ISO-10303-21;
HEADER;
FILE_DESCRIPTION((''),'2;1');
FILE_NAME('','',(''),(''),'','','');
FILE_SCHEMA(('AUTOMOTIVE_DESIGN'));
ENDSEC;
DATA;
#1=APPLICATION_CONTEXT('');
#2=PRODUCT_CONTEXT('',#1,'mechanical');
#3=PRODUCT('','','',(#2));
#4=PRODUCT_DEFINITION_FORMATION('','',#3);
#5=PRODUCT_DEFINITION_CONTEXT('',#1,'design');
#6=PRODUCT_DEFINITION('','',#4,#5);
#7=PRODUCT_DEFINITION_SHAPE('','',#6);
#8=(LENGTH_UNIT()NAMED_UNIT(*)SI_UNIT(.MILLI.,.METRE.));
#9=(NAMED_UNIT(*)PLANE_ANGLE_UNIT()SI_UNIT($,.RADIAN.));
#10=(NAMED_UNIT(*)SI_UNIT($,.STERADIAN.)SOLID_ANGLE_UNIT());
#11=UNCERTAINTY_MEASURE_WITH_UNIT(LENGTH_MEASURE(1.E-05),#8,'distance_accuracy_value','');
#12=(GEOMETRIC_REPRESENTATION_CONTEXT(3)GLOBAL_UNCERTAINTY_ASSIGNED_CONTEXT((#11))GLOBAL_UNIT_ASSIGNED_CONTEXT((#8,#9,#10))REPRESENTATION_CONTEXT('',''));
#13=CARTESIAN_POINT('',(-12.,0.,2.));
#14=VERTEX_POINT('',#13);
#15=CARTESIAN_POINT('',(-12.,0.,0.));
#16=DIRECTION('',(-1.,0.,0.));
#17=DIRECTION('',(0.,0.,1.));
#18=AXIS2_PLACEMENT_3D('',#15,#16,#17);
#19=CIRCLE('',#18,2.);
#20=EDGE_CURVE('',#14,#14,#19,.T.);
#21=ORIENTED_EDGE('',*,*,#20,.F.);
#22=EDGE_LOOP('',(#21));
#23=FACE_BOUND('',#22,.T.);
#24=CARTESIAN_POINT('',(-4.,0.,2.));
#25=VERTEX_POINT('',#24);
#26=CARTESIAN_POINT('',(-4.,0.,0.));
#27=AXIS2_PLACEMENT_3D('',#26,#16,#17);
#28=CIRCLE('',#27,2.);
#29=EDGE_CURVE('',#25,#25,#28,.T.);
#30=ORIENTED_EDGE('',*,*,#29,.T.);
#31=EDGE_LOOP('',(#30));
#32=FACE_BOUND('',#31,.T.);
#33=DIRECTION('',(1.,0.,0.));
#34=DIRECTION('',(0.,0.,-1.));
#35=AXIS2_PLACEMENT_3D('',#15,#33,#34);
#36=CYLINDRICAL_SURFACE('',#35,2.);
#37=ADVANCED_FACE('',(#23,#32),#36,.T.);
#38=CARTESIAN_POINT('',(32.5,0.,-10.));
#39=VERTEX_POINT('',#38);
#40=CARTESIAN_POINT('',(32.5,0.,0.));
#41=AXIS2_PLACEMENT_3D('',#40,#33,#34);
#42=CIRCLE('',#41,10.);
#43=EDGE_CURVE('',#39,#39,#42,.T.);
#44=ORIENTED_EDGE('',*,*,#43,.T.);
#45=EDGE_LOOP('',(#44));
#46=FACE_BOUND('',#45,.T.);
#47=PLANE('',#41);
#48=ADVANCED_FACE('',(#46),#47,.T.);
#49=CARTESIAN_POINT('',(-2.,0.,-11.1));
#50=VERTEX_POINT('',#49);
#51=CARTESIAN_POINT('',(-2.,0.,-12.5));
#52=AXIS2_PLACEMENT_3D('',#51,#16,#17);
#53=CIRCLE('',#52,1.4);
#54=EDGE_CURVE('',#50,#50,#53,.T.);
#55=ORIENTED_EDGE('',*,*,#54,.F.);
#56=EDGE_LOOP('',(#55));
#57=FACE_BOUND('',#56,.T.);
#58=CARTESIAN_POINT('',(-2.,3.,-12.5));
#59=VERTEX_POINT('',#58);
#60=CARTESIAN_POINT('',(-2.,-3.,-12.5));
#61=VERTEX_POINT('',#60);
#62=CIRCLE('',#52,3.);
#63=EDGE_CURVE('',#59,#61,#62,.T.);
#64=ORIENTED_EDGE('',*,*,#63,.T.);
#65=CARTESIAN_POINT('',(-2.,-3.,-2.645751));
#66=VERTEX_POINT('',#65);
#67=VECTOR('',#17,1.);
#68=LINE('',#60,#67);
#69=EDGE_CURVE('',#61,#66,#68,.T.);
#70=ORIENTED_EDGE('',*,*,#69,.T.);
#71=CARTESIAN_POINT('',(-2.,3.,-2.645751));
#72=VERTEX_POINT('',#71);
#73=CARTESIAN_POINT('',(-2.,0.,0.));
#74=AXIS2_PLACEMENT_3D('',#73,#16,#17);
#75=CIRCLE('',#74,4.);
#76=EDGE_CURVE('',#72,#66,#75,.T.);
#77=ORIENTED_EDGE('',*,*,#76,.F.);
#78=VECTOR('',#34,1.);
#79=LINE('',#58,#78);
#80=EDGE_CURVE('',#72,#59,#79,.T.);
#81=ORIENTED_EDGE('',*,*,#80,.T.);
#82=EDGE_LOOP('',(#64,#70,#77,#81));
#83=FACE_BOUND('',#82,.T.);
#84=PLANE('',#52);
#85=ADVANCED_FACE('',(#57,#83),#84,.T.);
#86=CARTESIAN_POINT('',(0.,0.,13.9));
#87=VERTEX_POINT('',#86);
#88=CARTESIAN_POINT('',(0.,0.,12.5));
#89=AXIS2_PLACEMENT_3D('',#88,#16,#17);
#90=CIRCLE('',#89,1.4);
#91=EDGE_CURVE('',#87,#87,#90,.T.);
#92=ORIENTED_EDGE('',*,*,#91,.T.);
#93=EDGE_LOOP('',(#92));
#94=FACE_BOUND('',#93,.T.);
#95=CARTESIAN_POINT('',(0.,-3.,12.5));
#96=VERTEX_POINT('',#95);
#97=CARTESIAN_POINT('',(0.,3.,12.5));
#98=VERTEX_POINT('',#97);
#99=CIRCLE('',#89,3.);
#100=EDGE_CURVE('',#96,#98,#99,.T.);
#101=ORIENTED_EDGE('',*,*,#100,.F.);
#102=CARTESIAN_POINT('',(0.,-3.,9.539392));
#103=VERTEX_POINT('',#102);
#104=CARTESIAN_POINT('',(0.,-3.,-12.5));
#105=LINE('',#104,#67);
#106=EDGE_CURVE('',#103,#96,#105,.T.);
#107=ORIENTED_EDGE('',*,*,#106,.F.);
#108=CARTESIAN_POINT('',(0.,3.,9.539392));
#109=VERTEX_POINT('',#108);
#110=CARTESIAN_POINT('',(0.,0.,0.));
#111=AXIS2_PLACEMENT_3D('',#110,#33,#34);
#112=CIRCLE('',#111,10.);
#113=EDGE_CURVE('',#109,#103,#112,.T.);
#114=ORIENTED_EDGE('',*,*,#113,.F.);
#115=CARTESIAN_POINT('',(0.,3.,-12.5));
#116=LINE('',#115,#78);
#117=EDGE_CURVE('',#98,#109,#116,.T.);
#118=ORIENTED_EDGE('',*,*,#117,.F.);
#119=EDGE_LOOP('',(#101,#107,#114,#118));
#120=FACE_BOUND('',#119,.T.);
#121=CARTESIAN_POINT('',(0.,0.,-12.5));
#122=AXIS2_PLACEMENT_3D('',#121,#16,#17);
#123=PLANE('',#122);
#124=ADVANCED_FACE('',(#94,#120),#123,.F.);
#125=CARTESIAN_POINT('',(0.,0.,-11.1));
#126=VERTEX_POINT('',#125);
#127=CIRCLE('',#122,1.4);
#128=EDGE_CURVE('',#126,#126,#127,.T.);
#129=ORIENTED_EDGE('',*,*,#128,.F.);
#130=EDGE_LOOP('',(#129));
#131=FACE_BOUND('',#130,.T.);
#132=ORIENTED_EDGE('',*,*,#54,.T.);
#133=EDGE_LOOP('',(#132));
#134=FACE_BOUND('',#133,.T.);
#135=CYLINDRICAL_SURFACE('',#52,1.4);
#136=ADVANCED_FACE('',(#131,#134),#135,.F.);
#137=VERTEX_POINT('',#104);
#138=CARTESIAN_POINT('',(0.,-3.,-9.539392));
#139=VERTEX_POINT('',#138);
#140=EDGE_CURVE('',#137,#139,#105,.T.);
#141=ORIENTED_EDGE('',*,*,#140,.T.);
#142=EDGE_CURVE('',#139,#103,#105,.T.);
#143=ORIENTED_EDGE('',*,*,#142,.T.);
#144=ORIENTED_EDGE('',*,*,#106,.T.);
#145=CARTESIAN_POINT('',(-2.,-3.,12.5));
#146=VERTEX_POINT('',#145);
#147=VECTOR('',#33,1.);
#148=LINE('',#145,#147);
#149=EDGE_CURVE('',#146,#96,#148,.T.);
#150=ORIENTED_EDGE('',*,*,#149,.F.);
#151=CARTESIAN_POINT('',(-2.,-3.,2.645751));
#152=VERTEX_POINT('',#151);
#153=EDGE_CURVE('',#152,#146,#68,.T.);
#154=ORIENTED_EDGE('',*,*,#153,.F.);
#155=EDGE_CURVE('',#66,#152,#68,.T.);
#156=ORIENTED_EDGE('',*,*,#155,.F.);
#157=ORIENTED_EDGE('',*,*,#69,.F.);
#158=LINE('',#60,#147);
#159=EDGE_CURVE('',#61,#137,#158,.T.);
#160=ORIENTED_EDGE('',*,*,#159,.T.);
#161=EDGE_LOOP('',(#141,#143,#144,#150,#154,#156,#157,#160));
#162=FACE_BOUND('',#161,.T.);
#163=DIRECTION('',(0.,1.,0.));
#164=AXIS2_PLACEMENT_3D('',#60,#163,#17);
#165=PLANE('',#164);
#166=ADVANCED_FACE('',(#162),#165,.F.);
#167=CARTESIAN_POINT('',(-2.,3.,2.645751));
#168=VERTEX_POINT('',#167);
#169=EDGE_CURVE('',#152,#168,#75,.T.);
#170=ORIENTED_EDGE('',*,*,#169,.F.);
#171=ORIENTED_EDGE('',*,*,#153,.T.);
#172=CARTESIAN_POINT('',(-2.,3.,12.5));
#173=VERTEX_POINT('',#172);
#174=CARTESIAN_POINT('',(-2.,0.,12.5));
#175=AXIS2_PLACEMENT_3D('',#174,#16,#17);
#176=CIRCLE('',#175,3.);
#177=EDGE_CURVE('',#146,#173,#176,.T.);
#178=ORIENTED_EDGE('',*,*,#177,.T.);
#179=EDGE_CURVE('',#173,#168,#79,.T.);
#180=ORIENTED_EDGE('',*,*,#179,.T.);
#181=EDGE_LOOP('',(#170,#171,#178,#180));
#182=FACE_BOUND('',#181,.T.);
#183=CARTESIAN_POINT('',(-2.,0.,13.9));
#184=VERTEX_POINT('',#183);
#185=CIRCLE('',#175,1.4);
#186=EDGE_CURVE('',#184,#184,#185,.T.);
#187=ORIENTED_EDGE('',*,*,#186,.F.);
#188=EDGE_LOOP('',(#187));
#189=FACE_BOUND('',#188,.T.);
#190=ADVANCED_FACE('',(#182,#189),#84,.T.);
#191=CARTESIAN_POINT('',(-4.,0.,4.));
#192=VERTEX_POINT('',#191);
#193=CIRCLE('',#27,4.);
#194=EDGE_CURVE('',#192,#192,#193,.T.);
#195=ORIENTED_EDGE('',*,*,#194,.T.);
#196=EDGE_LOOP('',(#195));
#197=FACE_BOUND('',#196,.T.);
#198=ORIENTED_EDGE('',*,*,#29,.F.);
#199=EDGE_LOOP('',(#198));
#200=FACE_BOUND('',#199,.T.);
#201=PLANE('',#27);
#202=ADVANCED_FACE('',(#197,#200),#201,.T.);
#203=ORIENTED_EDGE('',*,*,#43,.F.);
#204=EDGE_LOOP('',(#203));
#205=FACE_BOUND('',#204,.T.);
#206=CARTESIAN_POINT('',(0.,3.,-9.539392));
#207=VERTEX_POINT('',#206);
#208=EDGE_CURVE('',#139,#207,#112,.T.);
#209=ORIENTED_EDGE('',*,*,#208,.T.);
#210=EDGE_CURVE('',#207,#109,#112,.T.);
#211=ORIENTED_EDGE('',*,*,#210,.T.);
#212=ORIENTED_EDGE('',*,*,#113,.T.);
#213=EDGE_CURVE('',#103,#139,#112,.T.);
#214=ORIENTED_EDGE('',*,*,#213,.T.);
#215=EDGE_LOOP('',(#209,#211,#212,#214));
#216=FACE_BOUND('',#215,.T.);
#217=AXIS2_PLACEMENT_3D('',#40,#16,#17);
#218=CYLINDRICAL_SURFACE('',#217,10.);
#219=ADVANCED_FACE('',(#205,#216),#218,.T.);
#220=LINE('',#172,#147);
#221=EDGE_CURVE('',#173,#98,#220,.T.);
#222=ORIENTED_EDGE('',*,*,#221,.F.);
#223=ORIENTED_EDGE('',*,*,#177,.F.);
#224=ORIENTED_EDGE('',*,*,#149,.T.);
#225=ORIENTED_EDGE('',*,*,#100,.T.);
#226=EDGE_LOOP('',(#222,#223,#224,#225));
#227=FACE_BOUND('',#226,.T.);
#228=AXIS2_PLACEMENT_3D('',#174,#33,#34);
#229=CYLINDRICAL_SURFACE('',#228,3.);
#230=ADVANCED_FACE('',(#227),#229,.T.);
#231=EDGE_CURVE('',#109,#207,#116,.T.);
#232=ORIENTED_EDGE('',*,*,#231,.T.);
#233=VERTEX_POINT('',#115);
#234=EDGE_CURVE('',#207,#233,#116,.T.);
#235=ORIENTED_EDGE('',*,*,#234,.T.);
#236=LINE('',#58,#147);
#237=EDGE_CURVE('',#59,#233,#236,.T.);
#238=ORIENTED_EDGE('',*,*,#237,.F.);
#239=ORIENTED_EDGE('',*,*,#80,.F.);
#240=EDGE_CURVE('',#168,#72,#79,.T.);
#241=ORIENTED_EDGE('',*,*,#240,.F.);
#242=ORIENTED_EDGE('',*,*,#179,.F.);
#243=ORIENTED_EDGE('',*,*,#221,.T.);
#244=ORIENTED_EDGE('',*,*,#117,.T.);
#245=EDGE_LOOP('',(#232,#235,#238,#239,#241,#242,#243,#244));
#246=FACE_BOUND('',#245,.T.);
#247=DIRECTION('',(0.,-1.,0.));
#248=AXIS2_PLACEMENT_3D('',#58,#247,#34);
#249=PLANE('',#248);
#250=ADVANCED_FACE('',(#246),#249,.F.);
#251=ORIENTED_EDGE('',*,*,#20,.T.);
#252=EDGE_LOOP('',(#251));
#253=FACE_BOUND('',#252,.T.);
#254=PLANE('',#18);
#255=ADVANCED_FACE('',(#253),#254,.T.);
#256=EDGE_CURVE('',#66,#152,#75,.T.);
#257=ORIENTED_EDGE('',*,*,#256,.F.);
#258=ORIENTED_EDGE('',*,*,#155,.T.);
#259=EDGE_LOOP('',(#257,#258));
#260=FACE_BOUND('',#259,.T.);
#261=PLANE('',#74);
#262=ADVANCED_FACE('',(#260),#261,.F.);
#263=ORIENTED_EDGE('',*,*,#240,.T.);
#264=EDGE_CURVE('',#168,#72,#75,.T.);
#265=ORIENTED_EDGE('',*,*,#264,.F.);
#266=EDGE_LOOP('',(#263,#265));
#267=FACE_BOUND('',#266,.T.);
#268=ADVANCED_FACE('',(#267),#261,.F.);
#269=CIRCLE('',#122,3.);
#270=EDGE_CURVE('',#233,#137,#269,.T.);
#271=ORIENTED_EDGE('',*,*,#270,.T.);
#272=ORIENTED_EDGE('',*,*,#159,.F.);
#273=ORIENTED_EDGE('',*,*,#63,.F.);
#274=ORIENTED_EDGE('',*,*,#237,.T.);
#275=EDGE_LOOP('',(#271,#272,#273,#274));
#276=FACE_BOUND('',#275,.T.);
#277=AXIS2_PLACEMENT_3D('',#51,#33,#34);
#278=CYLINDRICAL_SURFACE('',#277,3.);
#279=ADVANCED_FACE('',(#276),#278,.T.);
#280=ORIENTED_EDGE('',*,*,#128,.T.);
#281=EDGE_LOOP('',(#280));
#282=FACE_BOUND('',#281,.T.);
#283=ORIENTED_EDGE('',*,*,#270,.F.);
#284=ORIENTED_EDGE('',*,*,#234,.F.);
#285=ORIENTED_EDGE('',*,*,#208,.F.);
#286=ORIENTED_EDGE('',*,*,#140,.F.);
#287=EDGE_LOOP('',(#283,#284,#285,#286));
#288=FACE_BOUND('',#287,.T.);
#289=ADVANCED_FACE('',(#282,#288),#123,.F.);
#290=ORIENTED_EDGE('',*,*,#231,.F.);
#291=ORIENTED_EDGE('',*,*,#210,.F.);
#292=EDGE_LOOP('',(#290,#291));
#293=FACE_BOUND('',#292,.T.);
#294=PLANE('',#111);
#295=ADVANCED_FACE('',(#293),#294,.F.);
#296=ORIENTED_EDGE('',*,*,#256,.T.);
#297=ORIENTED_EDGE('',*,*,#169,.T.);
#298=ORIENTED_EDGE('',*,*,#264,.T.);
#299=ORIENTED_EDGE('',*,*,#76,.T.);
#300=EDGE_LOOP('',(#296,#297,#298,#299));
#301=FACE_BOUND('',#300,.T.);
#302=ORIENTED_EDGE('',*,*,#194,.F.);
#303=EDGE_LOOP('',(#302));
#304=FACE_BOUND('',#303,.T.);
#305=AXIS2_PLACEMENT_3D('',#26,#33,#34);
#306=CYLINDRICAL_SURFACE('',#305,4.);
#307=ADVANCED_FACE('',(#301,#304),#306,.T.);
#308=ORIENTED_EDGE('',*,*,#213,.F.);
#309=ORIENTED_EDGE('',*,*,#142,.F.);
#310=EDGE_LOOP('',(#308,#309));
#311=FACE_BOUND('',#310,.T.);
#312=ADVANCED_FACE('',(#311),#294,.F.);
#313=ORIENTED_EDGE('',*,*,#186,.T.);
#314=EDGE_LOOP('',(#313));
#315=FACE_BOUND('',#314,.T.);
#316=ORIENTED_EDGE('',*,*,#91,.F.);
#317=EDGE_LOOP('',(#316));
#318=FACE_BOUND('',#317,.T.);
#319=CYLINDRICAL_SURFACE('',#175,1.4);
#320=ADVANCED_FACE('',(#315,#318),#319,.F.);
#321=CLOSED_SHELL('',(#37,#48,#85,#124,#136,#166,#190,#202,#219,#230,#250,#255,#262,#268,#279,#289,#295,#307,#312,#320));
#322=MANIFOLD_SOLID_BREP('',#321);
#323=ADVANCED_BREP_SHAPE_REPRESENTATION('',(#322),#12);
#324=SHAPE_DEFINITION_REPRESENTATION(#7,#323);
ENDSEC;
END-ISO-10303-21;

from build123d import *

# Parameters (mm, degrees)
SKETCH1_R                      = 10
BOSS_EXTRUDE1_DEPTH            = 32.5
BOSS_EXTRUDE2_DEPTH            = 2
F_2_8_2_8_DIAMETER_HOLE1_D     = 2.8
F_2_8_2_8_DIAMETER_HOLE1_DEPTH = 70
F_2_8_2_8_DIAMETER_HOLE1_TIP   = 0.841204867
SKETCH5_R                      = 4
BOSS_EXTRUDE3_DEPTH            = 2
SKETCH6_R                      = 2
BOSS_EXTRUDE4_DEPTH            = 8


with BuildPart() as part:
    # Sketch1 → Boss-Extrude1 (new body)
    with BuildSketch(Plane(origin=(0, 0, 0), x_dir=(0, 0, -1), z_dir=(1, 0, 0))):
        Circle(SKETCH1_R)
    extrude(amount=BOSS_EXTRUDE1_DEPTH)

    # Sketch2 → Boss-Extrude2 (add)
    with BuildSketch(Plane.ZY):
        with BuildLine():
            Line((-12.5, 3), (12.5, 3))
            ThreePointArc((12.5, 3), (15.5, 0), (12.5, -3))
            Line((12.5, -3), (-12.5, -3))
            ThreePointArc((-12.5, -3), (-15.5, 0), (-12.5, 3))
        make_face()
    extrude(amount=BOSS_EXTRUDE2_DEPTH)

    # Ø2.8 (2.8) Diameter Hole1
    with Locations(Plane.ZY.offset(2)):
        with Locations((-12.5, 0), (12.5, 0)):
            Hole(F_2_8_2_8_DIAMETER_HOLE1_D / 2, depth=F_2_8_2_8_DIAMETER_HOLE1_DEPTH)
            with Locations((0, 0, -(F_2_8_2_8_DIAMETER_HOLE1_DEPTH + F_2_8_2_8_DIAMETER_HOLE1_TIP / 2))):  # 118° drill point
                Cone(0, F_2_8_2_8_DIAMETER_HOLE1_D / 2, F_2_8_2_8_DIAMETER_HOLE1_TIP, mode=Mode.SUBTRACT)

    # Sketch5 → Boss-Extrude3 (add)
    with BuildSketch(Plane.ZY.offset(2)):
        with Locations(Location((0, 0, 0), (0, 0, 228.590377891))):
            Circle(SKETCH5_R)
    extrude(amount=BOSS_EXTRUDE3_DEPTH)

    # Sketch6 → Boss-Extrude4 (add)
    with BuildSketch(Plane.ZY.offset(4)):
        Circle(SKETCH6_R)
    extrude(amount=BOSS_EXTRUDE4_DEPTH)


solid = part.part
